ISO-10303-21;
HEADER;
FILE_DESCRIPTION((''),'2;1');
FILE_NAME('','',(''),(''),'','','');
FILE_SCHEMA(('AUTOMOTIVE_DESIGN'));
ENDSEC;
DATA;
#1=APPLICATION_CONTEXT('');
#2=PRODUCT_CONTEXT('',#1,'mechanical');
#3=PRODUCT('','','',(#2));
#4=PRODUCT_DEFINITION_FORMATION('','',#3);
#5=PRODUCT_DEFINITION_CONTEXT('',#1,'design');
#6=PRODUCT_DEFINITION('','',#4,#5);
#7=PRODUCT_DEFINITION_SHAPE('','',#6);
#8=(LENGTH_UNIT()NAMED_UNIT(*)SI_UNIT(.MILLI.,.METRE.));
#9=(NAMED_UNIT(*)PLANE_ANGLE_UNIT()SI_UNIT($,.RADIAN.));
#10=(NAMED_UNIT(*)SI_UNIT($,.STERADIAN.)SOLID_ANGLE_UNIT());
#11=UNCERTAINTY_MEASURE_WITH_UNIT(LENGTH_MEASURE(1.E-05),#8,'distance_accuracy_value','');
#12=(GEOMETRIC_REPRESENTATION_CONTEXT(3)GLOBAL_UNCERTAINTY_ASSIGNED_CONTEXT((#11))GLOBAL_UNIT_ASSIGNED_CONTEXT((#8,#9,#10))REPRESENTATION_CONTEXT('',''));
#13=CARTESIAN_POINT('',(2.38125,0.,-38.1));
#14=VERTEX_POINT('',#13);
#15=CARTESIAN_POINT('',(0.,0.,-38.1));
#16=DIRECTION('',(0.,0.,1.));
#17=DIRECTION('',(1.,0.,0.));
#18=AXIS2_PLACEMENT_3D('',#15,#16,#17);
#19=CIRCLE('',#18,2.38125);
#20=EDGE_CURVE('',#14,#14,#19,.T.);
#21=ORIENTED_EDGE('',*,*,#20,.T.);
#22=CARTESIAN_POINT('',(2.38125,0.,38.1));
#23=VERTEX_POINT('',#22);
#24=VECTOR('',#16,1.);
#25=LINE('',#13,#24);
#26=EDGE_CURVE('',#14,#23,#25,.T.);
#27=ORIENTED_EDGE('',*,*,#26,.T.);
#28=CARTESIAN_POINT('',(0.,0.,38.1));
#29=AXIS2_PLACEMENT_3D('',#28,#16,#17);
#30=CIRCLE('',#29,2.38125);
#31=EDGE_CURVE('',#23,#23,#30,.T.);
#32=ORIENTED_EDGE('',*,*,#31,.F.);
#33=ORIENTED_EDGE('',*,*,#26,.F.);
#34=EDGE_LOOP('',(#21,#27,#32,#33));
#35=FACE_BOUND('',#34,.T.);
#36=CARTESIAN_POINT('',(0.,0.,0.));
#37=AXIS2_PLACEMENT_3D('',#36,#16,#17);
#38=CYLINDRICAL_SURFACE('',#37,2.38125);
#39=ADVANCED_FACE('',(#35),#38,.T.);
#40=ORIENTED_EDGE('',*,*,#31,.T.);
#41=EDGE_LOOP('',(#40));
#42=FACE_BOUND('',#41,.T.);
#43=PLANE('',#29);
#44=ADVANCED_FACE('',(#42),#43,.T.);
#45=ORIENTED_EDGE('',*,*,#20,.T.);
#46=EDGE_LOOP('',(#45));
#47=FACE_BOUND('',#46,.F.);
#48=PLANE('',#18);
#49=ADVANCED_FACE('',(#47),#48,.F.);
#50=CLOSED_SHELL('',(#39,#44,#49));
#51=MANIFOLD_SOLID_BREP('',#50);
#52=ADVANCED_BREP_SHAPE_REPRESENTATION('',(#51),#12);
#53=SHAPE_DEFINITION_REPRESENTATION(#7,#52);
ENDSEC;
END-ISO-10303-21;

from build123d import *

# Parameters (mm, degrees)
SKETCH1_R           = 2.38125
BOSS_EXTRUDE1_DEPTH = 38.1


with BuildPart() as part:
    # Sketch1 → Boss-Extrude1 (new body, symmetric)
    with BuildSketch(Plane.XY):
        Circle(SKETCH1_R)
    extrude(amount=BOSS_EXTRUDE1_DEPTH, both=True)


solid = part.part
